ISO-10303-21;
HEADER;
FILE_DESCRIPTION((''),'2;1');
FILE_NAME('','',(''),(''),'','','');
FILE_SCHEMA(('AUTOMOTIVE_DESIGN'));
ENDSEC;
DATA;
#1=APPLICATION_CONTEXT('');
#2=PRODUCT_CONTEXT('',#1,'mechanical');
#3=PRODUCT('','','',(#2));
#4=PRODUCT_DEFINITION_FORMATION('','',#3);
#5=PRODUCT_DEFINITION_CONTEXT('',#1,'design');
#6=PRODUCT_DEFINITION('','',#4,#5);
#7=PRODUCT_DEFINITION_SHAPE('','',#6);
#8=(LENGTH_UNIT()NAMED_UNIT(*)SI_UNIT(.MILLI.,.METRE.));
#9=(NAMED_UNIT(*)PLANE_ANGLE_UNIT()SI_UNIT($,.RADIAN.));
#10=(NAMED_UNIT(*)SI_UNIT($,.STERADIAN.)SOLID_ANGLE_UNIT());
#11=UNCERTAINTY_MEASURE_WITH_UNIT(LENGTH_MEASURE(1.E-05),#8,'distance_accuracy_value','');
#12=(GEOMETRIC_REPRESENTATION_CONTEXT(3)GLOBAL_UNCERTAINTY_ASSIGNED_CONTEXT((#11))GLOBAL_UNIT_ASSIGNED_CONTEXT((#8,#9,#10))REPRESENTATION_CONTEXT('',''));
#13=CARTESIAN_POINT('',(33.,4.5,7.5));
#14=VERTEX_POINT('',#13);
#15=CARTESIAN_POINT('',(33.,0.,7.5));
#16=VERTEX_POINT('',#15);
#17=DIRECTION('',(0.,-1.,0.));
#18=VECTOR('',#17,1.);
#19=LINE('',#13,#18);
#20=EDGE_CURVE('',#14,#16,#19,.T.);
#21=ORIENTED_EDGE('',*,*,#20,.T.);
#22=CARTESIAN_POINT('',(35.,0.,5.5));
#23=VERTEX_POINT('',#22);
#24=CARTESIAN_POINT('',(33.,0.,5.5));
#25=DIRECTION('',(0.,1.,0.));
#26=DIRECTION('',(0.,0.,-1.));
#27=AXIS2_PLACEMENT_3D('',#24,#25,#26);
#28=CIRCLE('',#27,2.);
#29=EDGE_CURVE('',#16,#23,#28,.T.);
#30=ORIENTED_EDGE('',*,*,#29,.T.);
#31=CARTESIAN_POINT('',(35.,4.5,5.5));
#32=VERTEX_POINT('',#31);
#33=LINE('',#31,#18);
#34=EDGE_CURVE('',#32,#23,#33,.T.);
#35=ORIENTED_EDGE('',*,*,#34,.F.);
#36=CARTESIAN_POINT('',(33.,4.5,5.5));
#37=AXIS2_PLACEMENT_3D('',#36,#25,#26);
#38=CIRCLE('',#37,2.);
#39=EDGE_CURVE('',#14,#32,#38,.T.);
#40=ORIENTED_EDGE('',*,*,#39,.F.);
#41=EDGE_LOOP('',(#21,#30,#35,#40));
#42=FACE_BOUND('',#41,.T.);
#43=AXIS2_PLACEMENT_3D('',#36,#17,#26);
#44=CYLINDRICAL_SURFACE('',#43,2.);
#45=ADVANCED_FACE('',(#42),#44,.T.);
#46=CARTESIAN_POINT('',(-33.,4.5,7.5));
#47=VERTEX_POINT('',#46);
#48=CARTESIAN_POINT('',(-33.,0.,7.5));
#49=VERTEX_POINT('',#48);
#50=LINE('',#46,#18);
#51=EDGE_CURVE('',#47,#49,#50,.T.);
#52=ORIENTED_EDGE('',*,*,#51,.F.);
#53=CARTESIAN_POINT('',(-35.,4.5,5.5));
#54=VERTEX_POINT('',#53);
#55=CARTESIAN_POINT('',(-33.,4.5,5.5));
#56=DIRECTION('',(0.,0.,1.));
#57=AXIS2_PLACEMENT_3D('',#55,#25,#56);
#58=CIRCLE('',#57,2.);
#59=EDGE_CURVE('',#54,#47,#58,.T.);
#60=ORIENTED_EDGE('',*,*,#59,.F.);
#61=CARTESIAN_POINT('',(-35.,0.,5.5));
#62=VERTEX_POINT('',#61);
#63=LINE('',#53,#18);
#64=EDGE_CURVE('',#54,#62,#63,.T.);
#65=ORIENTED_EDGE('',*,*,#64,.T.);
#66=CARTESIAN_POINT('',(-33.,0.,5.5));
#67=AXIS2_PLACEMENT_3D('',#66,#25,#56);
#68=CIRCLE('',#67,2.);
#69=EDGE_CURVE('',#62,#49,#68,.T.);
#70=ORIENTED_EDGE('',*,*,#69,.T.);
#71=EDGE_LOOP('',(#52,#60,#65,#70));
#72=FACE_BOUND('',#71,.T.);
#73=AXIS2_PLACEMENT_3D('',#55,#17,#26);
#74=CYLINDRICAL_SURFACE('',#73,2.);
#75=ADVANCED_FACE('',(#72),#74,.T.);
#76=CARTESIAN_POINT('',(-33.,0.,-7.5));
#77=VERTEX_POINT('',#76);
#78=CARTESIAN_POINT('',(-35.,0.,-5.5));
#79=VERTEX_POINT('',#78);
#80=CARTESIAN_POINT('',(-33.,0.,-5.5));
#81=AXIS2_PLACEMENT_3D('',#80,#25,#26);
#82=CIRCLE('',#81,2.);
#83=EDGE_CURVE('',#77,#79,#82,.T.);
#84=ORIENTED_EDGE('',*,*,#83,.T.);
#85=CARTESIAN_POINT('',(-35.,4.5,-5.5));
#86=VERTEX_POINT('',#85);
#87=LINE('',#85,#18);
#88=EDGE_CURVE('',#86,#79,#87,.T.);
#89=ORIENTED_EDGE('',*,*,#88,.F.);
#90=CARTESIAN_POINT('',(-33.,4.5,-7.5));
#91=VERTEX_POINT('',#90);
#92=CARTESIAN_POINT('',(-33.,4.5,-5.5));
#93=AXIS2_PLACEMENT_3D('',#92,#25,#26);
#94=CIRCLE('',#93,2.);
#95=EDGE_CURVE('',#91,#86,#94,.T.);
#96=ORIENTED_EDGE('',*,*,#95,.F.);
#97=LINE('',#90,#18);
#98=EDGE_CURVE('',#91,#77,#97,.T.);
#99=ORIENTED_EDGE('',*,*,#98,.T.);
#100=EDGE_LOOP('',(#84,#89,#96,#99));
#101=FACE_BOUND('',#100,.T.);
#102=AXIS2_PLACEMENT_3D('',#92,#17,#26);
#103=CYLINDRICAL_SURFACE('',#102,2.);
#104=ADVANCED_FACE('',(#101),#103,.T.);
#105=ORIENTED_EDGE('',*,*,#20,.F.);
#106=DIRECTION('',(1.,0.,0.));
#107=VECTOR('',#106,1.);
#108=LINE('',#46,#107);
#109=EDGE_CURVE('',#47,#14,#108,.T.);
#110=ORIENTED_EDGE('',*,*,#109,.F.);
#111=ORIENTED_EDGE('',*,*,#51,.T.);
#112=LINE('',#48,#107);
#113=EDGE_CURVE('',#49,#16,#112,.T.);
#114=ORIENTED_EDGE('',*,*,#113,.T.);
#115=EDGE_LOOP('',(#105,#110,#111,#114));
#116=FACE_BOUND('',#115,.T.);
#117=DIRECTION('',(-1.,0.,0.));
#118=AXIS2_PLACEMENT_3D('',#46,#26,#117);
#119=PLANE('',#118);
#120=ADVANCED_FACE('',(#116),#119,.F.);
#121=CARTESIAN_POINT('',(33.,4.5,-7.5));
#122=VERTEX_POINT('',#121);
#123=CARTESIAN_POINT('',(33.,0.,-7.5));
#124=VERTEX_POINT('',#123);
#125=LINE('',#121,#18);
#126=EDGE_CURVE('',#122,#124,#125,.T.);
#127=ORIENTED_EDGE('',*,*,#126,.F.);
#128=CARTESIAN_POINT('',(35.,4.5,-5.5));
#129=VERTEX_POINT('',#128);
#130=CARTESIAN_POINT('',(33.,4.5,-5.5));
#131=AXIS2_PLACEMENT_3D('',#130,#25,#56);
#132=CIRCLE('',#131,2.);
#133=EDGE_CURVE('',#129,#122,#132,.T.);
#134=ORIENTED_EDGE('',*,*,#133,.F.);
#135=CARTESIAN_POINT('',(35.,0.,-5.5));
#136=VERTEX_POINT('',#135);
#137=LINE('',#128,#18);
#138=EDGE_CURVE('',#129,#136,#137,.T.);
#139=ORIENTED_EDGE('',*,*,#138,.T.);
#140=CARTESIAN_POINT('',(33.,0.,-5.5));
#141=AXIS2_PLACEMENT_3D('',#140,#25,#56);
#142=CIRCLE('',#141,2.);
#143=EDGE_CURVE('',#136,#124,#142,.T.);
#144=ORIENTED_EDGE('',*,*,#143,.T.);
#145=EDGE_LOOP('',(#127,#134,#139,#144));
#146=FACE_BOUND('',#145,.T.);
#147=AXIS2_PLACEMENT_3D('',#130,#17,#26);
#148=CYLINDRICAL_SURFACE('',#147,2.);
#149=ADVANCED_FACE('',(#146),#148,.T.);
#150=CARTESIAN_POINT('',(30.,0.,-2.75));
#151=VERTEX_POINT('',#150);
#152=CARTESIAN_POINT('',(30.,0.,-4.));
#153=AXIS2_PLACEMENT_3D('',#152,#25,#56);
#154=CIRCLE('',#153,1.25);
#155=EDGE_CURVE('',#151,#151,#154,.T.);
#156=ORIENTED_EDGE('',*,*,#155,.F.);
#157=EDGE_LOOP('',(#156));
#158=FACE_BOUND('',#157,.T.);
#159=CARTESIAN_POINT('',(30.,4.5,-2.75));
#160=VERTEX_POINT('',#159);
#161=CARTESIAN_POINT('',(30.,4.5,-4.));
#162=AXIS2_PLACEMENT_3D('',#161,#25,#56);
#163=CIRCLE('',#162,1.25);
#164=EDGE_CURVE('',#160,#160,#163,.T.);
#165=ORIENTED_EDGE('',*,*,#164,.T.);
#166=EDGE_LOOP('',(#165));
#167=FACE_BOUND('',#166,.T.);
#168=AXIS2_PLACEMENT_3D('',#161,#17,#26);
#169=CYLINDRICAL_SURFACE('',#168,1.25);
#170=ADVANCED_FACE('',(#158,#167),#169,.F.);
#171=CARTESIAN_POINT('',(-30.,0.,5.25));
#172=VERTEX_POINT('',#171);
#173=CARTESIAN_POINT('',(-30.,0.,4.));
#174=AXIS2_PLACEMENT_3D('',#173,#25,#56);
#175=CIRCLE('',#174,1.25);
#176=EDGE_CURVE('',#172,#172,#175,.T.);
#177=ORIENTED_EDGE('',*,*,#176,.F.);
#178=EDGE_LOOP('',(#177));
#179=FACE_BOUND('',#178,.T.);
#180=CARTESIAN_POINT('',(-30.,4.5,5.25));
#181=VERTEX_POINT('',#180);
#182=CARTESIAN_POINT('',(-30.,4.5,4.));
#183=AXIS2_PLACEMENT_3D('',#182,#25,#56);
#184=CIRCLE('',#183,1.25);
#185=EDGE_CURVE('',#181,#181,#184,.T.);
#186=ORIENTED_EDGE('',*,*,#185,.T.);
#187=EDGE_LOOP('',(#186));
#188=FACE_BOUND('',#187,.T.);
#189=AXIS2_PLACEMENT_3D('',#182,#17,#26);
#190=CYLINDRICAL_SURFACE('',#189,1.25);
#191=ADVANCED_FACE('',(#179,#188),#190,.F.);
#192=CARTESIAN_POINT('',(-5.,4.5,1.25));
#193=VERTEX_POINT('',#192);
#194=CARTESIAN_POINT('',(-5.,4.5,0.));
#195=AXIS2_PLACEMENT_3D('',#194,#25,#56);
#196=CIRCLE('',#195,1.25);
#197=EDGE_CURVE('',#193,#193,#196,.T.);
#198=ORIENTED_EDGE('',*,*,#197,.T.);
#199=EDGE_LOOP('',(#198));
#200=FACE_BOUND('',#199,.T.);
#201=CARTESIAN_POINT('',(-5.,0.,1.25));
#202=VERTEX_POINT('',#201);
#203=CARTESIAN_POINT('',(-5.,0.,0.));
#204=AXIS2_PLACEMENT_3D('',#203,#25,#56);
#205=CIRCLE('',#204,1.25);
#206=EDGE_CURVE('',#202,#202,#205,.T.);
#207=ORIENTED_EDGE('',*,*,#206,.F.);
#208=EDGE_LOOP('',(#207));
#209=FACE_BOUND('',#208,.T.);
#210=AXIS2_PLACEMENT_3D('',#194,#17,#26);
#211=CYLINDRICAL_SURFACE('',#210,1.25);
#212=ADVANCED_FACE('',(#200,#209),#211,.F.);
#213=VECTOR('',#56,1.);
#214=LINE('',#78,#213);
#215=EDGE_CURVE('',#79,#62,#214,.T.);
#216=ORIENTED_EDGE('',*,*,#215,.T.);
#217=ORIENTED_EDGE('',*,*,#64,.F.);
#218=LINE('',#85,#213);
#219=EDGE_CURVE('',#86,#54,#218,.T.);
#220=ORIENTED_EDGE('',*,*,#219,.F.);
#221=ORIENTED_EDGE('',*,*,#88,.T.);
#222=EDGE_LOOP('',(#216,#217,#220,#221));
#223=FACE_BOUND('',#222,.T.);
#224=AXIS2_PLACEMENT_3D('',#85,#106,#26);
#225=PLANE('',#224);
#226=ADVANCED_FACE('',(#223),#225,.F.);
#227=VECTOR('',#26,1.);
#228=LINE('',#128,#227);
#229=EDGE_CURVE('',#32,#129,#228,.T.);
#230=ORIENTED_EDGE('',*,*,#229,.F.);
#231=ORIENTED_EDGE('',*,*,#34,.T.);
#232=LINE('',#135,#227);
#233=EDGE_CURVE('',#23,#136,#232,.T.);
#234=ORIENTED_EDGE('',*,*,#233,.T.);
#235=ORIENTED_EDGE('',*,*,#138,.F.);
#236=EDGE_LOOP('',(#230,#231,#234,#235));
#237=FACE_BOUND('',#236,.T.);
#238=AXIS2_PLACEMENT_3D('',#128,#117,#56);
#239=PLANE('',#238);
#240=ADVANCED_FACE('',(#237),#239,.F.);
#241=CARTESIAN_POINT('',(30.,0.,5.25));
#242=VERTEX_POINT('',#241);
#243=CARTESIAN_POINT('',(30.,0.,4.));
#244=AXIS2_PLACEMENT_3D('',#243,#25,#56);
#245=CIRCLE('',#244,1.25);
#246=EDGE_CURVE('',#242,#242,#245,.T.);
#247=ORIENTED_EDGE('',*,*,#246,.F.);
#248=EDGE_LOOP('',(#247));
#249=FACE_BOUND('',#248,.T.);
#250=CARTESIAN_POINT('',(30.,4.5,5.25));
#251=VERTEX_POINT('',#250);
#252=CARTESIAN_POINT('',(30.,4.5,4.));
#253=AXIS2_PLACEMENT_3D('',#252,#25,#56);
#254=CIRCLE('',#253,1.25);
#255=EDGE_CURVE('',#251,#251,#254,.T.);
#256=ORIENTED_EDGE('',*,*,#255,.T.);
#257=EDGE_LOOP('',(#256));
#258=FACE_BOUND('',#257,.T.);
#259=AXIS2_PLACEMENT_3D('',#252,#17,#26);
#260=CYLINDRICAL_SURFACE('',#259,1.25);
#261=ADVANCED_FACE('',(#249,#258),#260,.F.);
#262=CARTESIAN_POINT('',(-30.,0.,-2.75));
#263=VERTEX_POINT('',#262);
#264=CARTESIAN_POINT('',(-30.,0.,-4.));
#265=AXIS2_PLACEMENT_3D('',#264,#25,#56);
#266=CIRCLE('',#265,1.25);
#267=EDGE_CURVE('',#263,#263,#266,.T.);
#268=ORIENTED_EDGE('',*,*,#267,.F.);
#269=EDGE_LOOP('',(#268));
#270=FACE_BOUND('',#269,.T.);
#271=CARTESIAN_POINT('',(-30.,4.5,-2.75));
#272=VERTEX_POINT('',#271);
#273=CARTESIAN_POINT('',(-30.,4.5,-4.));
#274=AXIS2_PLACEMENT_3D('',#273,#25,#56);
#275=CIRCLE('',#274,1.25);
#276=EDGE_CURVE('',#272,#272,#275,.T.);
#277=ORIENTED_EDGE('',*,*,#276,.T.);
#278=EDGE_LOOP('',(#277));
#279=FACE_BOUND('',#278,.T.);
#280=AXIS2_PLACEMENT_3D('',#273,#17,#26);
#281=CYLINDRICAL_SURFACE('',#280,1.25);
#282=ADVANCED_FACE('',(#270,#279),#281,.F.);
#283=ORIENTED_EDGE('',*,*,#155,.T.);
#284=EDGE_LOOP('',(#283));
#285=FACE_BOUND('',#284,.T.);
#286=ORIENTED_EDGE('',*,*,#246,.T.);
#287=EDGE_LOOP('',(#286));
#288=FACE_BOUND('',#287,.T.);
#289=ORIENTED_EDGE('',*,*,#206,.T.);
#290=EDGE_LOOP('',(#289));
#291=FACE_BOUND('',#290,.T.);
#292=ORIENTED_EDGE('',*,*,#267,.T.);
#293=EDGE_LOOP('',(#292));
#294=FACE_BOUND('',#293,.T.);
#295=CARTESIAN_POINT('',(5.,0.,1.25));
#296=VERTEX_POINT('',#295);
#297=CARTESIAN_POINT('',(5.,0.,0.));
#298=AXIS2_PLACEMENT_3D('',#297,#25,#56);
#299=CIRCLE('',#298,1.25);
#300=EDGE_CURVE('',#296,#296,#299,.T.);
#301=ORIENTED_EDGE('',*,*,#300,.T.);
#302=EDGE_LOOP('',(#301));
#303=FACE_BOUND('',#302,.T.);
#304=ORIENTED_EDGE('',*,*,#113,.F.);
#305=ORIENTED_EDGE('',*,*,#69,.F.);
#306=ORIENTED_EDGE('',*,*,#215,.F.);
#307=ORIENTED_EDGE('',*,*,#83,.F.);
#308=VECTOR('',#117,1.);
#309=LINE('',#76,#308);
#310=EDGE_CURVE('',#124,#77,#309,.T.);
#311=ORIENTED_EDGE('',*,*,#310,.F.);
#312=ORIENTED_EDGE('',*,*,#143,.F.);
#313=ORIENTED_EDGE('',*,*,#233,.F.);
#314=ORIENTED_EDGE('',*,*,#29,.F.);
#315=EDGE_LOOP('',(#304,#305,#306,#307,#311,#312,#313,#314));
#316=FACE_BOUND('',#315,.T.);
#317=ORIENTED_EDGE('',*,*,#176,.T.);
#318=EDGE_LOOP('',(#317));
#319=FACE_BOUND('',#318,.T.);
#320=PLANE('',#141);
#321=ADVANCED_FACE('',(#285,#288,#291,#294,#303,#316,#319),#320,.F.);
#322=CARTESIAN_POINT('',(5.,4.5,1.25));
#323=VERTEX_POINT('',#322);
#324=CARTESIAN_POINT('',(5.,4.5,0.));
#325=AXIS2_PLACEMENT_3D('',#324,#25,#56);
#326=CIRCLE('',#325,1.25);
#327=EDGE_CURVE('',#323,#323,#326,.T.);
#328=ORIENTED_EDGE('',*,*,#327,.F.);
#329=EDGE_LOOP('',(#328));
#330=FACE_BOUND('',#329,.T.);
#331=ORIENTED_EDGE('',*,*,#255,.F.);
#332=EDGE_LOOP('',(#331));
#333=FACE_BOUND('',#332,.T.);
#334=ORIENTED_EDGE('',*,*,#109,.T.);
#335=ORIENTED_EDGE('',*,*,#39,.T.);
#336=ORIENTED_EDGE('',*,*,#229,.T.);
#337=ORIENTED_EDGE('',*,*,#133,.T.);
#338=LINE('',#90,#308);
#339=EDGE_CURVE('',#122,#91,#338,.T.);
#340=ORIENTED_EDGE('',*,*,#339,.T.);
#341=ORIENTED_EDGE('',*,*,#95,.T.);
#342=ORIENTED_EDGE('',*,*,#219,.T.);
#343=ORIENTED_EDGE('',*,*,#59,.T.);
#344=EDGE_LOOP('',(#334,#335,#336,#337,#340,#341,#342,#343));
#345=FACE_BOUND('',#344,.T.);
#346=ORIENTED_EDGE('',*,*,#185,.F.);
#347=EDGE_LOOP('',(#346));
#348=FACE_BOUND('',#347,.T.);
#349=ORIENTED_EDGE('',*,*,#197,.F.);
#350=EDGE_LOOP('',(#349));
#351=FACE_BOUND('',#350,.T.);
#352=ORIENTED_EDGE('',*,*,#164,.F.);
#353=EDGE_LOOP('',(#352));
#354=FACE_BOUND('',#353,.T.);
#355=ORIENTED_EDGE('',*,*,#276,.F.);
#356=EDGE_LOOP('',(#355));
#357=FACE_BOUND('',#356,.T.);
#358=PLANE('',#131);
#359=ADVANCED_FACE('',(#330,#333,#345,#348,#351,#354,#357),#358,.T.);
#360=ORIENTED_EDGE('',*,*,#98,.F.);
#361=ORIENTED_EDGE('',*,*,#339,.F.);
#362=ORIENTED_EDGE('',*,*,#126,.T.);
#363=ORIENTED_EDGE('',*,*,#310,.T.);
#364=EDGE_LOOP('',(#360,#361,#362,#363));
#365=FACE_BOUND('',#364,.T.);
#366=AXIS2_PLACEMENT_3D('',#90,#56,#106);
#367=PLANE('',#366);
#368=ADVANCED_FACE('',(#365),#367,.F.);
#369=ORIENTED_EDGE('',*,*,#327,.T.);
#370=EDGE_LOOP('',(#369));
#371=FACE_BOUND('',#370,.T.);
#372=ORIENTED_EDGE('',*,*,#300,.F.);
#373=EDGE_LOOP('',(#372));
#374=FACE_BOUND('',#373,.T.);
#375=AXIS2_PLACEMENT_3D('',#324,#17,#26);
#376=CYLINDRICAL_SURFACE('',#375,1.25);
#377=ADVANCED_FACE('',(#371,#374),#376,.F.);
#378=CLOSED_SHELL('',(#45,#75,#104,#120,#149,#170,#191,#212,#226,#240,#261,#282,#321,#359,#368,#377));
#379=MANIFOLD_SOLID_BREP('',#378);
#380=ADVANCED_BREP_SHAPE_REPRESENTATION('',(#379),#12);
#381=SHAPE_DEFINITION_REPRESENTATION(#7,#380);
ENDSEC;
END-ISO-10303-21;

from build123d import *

# Parameters (mm, degrees)
SKETCH_1_R      = 1.25
EXTRUDE_1_DEPTH = 4.5


with BuildPart() as part:
    # 草图1 → 凸台-拉伸1 (new body)
    with BuildSketch(Plane(origin=(0, 0, 0), x_dir=(1, 0, 0), z_dir=(0, 1, 0))):
        with BuildLine():
            Line((-33, 7.5), (33, 7.5))
            ThreePointArc((33, 7.5), (34.414213562, 6.914213562), (35, 5.5))
            Line((35, 5.5), (35, -5.5))
            ThreePointArc((35, -5.5), (34.414213562, -6.914213562), (33, -7.5))
            Line((33, -7.5), (-33, -7.5))
            ThreePointArc((-33, -7.5), (-34.414213562, -6.914213562), (-35, -5.5))
            Line((-35, -5.5), (-35, 5.5))
            ThreePointArc((-35, 5.5), (-34.414213562, 6.914213562), (-33, 7.5))
        make_face()
        with Locations(Location((-5, 0, 0), (0, 0, 270))):
            Circle(SKETCH_1_R, mode=Mode.SUBTRACT)
        with Locations(Location((5, 0, 0), (0, 0, 270))):
            Circle(SKETCH_1_R, mode=Mode.SUBTRACT)
        with Locations(Location((-30, 4, 0), (0, 0, 270))):
            Circle(SKETCH_1_R, mode=Mode.SUBTRACT)
        with Locations(Location((-30, -4, 0), (0, 0, 270))):
            Circle(SKETCH_1_R, mode=Mode.SUBTRACT)
        with Locations(Location((30, -4, 0), (0, 0, 270))):
            Circle(SKETCH_1_R, mode=Mode.SUBTRACT)
        with Locations(Location((30, 4, 0), (0, 0, 270))):
            Circle(SKETCH_1_R, mode=Mode.SUBTRACT)
    extrude(amount=EXTRUDE_1_DEPTH)


solid = part.part
